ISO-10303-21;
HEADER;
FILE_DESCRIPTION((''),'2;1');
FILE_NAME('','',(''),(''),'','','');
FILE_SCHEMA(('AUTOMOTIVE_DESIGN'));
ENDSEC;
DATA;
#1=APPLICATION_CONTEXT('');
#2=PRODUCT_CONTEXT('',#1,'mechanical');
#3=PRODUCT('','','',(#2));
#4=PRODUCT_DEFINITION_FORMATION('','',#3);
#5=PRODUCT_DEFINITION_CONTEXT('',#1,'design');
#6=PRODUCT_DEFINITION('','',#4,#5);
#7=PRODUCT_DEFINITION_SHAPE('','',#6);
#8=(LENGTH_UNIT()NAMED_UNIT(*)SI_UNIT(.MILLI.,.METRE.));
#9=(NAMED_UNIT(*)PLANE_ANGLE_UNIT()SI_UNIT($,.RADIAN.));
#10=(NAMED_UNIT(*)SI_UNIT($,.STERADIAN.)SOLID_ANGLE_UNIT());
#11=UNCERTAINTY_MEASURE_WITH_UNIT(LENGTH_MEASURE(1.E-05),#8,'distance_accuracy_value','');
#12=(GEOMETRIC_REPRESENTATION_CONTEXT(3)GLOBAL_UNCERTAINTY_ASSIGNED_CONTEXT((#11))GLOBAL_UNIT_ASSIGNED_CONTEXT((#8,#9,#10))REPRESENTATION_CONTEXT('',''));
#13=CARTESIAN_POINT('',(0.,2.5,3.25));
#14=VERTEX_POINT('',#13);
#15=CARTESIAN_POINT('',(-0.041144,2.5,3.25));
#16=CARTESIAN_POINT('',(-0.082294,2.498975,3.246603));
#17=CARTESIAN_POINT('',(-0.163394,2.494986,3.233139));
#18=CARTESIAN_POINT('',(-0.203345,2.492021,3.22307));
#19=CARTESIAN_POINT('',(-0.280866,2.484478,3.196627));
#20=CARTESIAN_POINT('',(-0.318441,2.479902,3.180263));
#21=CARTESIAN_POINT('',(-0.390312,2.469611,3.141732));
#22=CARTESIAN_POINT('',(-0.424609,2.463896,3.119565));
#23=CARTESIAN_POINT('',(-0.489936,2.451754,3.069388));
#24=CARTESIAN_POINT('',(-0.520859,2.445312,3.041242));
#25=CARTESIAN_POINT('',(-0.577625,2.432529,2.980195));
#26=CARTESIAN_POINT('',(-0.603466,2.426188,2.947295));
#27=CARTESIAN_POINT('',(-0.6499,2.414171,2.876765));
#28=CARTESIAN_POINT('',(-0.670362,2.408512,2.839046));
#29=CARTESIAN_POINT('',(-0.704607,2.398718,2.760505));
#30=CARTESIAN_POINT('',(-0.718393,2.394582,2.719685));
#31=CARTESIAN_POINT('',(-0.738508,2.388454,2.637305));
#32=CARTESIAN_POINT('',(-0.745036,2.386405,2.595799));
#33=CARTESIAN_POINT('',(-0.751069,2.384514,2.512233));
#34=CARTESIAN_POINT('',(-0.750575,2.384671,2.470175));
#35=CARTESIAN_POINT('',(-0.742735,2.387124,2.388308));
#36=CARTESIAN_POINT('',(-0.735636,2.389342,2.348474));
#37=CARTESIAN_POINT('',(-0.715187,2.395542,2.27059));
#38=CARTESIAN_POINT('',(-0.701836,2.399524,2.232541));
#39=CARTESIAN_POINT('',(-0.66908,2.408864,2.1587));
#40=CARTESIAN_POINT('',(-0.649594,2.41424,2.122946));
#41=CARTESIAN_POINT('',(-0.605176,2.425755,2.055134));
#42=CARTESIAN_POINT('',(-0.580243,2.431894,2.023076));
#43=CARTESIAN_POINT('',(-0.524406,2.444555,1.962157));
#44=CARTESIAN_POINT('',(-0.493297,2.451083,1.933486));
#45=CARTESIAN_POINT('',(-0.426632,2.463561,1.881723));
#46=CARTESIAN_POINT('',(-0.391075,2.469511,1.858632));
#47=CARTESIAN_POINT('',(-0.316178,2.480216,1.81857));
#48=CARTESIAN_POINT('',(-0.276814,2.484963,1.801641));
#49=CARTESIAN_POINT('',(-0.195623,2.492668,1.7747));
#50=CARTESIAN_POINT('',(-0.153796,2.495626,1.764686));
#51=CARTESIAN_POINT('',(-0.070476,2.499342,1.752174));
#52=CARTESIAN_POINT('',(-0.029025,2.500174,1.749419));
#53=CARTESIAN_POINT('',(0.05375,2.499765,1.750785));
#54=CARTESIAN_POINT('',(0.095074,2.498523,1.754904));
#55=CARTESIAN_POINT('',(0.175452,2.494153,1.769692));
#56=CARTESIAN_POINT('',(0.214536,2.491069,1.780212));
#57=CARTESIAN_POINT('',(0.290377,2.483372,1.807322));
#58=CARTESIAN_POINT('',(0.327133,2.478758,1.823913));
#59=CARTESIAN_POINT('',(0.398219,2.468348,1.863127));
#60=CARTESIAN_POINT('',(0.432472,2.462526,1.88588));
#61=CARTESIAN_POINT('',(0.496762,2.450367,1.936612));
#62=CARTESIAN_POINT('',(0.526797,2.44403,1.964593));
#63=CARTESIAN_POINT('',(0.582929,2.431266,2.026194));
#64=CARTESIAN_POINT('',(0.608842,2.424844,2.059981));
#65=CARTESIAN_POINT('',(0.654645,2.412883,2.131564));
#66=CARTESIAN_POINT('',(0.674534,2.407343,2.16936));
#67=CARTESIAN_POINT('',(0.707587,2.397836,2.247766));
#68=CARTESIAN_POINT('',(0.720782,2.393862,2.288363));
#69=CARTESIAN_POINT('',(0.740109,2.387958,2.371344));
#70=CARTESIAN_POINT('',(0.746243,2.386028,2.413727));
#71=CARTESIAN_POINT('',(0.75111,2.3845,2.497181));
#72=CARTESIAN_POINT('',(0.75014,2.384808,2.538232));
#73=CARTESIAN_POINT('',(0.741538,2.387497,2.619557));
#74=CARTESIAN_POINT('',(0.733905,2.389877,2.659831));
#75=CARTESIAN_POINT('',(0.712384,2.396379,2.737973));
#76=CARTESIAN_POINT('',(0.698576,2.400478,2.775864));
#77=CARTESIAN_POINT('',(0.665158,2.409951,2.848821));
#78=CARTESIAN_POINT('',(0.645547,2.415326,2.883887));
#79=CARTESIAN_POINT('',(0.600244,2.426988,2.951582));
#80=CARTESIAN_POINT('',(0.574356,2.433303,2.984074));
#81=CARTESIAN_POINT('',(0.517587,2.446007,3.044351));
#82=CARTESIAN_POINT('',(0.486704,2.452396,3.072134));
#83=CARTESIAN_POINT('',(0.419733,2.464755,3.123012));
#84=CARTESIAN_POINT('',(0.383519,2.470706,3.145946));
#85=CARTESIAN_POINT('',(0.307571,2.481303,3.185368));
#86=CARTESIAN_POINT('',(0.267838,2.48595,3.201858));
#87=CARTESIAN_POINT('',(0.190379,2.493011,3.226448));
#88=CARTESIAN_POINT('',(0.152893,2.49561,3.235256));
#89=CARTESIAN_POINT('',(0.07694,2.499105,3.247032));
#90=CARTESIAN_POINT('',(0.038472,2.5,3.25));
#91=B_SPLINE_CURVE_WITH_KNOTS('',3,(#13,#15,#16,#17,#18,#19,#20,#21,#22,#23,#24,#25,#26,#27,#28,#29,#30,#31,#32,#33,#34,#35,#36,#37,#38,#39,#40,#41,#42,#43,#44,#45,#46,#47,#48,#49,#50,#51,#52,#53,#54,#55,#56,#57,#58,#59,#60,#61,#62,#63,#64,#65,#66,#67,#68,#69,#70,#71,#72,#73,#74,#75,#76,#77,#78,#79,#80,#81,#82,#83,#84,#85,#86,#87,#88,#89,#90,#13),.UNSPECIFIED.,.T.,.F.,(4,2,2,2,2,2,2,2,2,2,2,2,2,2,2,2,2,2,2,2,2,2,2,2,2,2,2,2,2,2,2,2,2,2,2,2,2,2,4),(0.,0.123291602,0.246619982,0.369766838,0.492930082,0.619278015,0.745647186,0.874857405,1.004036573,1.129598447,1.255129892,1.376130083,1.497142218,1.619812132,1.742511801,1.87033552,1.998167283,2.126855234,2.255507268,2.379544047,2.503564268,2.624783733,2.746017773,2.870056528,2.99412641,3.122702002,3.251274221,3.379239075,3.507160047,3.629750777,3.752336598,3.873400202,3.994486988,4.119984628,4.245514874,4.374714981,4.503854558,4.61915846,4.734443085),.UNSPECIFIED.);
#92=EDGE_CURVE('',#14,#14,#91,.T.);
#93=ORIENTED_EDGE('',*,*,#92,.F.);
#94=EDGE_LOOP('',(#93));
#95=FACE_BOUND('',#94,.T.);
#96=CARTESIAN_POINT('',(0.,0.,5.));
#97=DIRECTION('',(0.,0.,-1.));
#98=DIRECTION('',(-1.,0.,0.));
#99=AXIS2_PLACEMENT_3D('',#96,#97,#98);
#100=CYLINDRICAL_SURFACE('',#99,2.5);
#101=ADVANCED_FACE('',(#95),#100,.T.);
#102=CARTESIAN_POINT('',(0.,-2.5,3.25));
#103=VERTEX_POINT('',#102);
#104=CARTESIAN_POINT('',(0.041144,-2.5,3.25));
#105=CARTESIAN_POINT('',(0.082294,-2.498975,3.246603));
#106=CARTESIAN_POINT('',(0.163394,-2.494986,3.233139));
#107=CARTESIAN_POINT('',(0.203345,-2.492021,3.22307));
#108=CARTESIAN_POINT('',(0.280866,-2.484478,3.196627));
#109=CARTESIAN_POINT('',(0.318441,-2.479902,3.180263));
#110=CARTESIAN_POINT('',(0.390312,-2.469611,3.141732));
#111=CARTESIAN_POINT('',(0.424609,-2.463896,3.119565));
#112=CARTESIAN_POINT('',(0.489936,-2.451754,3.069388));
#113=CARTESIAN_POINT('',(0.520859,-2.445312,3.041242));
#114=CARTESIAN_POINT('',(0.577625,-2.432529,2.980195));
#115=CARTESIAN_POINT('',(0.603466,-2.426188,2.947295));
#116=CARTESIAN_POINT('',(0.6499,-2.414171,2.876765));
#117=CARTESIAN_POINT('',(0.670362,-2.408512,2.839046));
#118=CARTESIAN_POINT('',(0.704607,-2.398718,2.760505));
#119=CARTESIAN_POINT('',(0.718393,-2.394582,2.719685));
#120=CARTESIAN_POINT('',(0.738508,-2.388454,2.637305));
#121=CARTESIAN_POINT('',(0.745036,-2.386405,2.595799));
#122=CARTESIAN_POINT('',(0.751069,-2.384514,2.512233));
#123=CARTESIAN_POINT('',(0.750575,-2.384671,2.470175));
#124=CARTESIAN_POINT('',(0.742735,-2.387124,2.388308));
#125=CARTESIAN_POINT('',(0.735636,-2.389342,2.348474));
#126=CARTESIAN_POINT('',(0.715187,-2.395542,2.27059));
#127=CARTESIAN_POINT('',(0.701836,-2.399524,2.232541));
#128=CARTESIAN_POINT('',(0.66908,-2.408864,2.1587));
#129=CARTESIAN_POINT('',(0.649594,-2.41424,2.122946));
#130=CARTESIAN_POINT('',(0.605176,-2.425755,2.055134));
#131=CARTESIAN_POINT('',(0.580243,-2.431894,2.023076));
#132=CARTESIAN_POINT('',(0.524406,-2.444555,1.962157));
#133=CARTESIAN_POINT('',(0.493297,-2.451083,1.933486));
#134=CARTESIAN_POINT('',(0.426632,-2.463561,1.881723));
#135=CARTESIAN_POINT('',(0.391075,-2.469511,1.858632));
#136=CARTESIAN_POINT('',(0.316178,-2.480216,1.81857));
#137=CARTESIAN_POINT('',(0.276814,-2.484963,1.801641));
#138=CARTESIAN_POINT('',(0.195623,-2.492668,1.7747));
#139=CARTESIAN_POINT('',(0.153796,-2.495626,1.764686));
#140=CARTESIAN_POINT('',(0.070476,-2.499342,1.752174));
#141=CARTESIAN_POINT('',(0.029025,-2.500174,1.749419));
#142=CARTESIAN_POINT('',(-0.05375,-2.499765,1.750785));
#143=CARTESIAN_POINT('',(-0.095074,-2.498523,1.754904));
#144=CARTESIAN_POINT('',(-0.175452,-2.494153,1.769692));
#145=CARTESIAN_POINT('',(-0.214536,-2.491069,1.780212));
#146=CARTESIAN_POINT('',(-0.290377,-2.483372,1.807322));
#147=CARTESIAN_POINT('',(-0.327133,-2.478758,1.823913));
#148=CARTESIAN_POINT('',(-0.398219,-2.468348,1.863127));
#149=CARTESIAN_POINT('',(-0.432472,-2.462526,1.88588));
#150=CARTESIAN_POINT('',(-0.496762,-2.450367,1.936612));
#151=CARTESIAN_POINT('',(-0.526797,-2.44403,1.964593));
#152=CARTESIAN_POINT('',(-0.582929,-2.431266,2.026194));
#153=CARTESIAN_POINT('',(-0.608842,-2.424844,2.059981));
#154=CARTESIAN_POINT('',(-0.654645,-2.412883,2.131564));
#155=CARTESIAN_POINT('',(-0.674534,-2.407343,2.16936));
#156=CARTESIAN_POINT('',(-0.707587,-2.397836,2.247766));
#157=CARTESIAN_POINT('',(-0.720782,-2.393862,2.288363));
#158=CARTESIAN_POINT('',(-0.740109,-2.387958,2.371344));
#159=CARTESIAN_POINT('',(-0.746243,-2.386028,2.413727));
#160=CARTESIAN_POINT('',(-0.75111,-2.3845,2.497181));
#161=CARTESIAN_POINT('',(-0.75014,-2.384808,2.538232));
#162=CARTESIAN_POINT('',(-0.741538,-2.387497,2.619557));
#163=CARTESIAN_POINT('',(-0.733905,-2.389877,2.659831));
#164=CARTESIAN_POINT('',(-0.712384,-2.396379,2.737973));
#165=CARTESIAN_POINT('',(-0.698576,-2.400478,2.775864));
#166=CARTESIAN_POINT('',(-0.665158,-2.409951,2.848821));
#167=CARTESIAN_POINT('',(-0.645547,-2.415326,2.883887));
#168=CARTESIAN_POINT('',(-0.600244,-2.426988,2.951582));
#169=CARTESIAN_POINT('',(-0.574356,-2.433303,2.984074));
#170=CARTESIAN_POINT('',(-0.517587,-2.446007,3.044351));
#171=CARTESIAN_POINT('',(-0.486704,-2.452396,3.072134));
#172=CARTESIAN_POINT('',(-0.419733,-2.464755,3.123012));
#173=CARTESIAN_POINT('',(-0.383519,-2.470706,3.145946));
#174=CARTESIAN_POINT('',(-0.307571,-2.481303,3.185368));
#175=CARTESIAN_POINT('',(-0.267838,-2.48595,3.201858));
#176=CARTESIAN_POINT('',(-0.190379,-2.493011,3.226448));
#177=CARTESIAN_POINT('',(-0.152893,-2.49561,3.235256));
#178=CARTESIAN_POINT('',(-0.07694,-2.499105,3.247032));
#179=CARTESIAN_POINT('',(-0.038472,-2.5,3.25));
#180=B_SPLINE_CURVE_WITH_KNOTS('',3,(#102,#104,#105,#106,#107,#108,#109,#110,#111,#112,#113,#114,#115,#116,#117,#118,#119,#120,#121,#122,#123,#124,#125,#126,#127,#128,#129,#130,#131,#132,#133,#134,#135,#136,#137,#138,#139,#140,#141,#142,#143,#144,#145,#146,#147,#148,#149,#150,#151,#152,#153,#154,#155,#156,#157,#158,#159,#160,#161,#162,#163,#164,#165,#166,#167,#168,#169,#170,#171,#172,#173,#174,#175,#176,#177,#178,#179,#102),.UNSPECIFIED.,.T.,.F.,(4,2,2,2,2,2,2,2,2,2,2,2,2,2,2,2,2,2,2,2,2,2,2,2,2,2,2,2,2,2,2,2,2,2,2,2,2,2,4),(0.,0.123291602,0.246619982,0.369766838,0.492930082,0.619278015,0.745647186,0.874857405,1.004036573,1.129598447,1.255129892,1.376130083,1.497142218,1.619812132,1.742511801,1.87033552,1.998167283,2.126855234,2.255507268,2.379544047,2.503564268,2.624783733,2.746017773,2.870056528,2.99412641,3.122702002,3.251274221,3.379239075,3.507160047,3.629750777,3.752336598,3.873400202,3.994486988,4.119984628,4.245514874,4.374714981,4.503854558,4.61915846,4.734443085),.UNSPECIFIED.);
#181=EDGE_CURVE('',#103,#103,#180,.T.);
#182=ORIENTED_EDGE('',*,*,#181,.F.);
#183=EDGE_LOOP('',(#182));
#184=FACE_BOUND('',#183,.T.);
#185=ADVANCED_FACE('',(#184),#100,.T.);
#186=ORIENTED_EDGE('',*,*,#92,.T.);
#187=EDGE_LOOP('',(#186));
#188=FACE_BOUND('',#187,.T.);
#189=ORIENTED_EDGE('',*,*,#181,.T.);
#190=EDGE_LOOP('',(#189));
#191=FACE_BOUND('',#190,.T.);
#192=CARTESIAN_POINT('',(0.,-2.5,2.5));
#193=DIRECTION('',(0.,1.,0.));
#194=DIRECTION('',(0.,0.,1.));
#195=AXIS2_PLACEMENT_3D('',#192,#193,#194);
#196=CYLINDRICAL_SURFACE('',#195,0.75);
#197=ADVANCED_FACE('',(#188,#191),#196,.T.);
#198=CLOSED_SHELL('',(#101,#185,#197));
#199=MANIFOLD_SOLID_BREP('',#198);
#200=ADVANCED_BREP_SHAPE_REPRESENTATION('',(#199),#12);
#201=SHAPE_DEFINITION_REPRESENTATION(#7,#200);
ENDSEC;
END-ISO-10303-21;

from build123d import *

# Parameters (mm, degrees)
CROQUIS1_R              = 2.5
SALIENTE_EXTRUIR1_DEPTH = 5
CROQUIS2_OUTSIDE_W      = 8.732
CROQUIS2_OUTSIDE_H      = 8.732
CROQUIS2_OUTSIDE_R      = 0.75
CORTAR_EXTRUIR1_DEPTH   = 2.5


with BuildPart() as part:
    # Croquis1 → Saliente-Extruir1 (new body)
    with BuildSketch(Plane.XY):
        Circle(CROQUIS1_R)
    extrude(amount=SALIENTE_EXTRUIR1_DEPTH)

    # Croquis2 outside → Cortar-Extruir1 (cut, symmetric)
    with BuildSketch(Plane(origin=(0, 0, 0), x_dir=(1, 0, 0), z_dir=(0, 1, 0))):
        with Locations((0, -2.5)):
            Rectangle(CROQUIS2_OUTSIDE_W, CROQUIS2_OUTSIDE_H)
        with Locations(Location((0, -2.5, 0), (0, 0, 270))):
            Circle(CROQUIS2_OUTSIDE_R, mode=Mode.SUBTRACT)
    extrude(amount=CORTAR_EXTRUIR1_DEPTH, both=True, mode=Mode.SUBTRACT)


solid = part.part
